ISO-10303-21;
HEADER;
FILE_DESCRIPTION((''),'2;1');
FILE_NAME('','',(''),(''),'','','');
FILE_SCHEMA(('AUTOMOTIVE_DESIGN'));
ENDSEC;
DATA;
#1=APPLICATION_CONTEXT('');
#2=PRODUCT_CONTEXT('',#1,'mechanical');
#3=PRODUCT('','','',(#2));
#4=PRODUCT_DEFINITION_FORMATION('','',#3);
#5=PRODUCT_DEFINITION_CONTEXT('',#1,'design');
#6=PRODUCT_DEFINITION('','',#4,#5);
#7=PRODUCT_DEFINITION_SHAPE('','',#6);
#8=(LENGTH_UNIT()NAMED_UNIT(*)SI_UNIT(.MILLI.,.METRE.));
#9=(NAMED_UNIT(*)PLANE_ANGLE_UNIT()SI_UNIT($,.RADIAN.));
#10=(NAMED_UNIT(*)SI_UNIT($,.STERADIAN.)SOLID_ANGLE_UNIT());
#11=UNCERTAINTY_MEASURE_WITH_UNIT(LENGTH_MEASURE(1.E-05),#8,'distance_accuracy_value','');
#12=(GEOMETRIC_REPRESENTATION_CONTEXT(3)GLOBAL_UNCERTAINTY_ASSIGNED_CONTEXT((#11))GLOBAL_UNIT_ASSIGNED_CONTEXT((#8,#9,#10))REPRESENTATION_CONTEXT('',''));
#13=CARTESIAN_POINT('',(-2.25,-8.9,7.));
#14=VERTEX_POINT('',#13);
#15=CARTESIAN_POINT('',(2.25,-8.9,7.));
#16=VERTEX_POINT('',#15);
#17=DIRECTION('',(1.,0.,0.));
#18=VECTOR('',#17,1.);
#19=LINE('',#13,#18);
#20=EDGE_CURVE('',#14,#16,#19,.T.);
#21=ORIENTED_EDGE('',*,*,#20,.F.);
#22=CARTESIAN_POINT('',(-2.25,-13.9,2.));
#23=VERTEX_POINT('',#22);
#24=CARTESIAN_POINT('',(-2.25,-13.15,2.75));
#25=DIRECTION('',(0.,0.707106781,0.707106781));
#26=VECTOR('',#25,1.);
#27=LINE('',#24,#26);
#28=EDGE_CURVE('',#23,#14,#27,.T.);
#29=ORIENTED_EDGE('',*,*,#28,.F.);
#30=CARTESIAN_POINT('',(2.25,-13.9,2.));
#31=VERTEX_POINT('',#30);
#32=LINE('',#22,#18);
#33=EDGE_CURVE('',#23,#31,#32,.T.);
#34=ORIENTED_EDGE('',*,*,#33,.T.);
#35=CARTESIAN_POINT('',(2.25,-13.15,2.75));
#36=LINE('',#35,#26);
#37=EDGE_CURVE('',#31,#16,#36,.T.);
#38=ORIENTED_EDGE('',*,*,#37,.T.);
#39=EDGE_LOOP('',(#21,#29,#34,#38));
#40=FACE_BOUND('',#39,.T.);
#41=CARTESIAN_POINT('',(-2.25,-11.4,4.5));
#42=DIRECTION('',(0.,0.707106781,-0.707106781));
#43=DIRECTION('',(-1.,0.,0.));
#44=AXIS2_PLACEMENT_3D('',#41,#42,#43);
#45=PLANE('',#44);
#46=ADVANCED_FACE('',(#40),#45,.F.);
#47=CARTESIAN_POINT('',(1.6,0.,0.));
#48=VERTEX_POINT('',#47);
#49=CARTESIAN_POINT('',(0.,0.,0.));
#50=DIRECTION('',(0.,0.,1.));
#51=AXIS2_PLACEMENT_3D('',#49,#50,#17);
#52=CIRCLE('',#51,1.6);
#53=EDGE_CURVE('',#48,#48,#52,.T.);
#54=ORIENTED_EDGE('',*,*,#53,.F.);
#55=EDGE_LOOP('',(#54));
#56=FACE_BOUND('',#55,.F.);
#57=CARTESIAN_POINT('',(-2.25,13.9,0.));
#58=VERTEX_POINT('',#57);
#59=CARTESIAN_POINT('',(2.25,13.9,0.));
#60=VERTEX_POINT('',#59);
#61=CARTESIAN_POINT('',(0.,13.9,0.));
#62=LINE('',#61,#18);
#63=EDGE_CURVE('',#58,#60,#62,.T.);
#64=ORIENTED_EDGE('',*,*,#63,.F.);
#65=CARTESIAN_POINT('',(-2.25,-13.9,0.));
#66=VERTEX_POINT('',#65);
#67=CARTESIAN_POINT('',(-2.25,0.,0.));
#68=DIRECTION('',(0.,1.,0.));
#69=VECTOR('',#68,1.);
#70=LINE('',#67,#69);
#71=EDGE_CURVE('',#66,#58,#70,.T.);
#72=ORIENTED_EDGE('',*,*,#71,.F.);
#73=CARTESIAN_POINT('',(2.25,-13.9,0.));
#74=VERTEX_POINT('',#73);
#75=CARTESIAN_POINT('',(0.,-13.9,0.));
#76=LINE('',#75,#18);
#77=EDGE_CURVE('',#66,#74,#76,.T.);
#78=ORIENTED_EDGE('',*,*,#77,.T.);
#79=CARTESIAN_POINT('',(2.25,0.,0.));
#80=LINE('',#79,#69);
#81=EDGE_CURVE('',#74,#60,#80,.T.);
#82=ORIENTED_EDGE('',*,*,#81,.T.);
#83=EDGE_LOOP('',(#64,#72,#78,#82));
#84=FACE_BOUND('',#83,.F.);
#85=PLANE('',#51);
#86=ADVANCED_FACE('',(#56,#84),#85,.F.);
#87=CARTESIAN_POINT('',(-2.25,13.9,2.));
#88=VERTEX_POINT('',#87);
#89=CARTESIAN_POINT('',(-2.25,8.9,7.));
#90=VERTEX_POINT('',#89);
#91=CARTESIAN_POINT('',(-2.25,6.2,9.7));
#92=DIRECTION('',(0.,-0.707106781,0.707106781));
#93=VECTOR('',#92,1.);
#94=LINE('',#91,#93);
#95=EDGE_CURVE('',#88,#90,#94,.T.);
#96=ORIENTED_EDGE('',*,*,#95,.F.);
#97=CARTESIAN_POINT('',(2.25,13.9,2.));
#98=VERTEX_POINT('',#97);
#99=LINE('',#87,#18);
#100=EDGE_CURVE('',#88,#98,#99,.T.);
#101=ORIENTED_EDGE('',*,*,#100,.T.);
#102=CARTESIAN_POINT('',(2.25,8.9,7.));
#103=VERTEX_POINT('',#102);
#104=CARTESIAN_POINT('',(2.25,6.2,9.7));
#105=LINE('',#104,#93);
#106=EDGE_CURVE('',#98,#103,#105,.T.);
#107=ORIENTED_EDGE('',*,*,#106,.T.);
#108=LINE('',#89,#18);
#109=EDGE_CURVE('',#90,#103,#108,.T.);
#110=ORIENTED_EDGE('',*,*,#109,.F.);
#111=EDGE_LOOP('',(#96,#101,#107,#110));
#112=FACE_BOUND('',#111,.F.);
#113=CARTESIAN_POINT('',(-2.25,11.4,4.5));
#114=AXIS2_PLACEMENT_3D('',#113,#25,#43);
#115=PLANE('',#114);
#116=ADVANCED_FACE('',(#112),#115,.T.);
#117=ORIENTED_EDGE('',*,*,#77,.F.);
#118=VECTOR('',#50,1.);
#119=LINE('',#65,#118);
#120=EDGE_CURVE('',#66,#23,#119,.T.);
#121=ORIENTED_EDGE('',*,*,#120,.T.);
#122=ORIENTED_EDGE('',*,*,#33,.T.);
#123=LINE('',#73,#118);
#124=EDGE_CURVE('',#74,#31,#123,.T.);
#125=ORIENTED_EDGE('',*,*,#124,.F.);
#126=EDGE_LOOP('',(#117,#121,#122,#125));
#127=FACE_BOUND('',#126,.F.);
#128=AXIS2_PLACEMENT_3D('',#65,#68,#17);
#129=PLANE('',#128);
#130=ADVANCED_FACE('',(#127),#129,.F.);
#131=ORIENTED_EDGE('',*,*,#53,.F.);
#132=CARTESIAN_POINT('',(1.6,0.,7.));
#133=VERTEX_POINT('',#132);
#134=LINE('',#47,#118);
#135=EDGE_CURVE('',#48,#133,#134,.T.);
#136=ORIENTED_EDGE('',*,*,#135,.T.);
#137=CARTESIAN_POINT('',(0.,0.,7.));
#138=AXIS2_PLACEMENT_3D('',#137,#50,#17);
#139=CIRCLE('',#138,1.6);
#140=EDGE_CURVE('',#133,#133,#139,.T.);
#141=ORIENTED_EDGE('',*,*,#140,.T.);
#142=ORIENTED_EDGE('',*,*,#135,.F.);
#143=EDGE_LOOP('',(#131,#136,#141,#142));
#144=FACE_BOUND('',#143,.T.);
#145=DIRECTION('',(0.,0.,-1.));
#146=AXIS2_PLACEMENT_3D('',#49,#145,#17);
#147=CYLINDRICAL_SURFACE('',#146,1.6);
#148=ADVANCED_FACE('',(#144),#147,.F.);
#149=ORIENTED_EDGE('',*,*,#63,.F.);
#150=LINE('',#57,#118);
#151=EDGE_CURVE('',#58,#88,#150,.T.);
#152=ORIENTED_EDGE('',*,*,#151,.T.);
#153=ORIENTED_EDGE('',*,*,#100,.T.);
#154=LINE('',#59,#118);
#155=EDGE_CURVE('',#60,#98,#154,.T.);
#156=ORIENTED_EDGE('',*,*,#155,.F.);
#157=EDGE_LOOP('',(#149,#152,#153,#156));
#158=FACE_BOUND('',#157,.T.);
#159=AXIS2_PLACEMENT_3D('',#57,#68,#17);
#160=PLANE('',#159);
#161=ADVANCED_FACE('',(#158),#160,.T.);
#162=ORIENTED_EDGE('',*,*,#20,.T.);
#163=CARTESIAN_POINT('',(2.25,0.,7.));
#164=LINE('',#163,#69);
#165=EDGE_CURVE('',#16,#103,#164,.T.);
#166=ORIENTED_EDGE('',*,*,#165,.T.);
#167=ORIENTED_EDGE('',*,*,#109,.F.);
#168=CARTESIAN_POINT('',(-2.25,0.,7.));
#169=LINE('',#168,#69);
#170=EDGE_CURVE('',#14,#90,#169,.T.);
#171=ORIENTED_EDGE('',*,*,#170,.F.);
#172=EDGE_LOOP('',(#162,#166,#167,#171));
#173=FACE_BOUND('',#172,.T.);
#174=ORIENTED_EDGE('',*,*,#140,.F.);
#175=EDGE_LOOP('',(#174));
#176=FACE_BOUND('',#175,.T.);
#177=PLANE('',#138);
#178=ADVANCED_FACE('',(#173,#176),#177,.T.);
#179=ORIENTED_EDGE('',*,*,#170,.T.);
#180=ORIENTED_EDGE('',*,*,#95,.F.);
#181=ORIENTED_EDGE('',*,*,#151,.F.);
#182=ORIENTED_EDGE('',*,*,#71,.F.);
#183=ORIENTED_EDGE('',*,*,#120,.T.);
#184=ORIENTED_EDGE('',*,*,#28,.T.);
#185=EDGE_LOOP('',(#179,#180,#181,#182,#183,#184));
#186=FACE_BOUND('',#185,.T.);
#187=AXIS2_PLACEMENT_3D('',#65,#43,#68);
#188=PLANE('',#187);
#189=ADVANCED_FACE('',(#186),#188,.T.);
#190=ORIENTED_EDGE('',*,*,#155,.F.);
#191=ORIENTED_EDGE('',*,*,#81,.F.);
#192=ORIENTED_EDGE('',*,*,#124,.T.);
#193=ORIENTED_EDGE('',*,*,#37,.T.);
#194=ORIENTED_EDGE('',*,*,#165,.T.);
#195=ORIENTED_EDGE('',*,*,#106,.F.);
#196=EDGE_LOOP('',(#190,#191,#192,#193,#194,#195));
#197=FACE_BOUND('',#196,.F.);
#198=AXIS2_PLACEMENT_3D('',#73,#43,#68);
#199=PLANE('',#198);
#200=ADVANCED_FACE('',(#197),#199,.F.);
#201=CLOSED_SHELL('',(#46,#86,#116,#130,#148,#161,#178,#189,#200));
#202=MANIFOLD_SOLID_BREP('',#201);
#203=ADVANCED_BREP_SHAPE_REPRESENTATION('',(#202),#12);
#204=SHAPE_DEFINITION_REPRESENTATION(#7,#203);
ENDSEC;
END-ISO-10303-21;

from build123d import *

# Parameters (mm, degrees)
F0_W     = 4.5
F0_H     = 27.8
F0_R     = 1.6
F1_DEPTH = 7
F2_SIZE  = 5


with BuildPart() as f1:
    # F0 (on Top) → F1 (new body)
    with BuildSketch(Plane.XY):
        Rectangle(F0_W, F0_H)
        Circle(F0_R, mode=Mode.SUBTRACT)
    extrude(amount=F1_DEPTH)

    # F2
    f2_edges = [f1.edges().sort_by_distance(p)[0] for p in [
        (0, -13.9, 7),
        (0, 13.9, 7),
    ]]
    chamfer(f2_edges, length=F2_SIZE)


solid = f1.part
